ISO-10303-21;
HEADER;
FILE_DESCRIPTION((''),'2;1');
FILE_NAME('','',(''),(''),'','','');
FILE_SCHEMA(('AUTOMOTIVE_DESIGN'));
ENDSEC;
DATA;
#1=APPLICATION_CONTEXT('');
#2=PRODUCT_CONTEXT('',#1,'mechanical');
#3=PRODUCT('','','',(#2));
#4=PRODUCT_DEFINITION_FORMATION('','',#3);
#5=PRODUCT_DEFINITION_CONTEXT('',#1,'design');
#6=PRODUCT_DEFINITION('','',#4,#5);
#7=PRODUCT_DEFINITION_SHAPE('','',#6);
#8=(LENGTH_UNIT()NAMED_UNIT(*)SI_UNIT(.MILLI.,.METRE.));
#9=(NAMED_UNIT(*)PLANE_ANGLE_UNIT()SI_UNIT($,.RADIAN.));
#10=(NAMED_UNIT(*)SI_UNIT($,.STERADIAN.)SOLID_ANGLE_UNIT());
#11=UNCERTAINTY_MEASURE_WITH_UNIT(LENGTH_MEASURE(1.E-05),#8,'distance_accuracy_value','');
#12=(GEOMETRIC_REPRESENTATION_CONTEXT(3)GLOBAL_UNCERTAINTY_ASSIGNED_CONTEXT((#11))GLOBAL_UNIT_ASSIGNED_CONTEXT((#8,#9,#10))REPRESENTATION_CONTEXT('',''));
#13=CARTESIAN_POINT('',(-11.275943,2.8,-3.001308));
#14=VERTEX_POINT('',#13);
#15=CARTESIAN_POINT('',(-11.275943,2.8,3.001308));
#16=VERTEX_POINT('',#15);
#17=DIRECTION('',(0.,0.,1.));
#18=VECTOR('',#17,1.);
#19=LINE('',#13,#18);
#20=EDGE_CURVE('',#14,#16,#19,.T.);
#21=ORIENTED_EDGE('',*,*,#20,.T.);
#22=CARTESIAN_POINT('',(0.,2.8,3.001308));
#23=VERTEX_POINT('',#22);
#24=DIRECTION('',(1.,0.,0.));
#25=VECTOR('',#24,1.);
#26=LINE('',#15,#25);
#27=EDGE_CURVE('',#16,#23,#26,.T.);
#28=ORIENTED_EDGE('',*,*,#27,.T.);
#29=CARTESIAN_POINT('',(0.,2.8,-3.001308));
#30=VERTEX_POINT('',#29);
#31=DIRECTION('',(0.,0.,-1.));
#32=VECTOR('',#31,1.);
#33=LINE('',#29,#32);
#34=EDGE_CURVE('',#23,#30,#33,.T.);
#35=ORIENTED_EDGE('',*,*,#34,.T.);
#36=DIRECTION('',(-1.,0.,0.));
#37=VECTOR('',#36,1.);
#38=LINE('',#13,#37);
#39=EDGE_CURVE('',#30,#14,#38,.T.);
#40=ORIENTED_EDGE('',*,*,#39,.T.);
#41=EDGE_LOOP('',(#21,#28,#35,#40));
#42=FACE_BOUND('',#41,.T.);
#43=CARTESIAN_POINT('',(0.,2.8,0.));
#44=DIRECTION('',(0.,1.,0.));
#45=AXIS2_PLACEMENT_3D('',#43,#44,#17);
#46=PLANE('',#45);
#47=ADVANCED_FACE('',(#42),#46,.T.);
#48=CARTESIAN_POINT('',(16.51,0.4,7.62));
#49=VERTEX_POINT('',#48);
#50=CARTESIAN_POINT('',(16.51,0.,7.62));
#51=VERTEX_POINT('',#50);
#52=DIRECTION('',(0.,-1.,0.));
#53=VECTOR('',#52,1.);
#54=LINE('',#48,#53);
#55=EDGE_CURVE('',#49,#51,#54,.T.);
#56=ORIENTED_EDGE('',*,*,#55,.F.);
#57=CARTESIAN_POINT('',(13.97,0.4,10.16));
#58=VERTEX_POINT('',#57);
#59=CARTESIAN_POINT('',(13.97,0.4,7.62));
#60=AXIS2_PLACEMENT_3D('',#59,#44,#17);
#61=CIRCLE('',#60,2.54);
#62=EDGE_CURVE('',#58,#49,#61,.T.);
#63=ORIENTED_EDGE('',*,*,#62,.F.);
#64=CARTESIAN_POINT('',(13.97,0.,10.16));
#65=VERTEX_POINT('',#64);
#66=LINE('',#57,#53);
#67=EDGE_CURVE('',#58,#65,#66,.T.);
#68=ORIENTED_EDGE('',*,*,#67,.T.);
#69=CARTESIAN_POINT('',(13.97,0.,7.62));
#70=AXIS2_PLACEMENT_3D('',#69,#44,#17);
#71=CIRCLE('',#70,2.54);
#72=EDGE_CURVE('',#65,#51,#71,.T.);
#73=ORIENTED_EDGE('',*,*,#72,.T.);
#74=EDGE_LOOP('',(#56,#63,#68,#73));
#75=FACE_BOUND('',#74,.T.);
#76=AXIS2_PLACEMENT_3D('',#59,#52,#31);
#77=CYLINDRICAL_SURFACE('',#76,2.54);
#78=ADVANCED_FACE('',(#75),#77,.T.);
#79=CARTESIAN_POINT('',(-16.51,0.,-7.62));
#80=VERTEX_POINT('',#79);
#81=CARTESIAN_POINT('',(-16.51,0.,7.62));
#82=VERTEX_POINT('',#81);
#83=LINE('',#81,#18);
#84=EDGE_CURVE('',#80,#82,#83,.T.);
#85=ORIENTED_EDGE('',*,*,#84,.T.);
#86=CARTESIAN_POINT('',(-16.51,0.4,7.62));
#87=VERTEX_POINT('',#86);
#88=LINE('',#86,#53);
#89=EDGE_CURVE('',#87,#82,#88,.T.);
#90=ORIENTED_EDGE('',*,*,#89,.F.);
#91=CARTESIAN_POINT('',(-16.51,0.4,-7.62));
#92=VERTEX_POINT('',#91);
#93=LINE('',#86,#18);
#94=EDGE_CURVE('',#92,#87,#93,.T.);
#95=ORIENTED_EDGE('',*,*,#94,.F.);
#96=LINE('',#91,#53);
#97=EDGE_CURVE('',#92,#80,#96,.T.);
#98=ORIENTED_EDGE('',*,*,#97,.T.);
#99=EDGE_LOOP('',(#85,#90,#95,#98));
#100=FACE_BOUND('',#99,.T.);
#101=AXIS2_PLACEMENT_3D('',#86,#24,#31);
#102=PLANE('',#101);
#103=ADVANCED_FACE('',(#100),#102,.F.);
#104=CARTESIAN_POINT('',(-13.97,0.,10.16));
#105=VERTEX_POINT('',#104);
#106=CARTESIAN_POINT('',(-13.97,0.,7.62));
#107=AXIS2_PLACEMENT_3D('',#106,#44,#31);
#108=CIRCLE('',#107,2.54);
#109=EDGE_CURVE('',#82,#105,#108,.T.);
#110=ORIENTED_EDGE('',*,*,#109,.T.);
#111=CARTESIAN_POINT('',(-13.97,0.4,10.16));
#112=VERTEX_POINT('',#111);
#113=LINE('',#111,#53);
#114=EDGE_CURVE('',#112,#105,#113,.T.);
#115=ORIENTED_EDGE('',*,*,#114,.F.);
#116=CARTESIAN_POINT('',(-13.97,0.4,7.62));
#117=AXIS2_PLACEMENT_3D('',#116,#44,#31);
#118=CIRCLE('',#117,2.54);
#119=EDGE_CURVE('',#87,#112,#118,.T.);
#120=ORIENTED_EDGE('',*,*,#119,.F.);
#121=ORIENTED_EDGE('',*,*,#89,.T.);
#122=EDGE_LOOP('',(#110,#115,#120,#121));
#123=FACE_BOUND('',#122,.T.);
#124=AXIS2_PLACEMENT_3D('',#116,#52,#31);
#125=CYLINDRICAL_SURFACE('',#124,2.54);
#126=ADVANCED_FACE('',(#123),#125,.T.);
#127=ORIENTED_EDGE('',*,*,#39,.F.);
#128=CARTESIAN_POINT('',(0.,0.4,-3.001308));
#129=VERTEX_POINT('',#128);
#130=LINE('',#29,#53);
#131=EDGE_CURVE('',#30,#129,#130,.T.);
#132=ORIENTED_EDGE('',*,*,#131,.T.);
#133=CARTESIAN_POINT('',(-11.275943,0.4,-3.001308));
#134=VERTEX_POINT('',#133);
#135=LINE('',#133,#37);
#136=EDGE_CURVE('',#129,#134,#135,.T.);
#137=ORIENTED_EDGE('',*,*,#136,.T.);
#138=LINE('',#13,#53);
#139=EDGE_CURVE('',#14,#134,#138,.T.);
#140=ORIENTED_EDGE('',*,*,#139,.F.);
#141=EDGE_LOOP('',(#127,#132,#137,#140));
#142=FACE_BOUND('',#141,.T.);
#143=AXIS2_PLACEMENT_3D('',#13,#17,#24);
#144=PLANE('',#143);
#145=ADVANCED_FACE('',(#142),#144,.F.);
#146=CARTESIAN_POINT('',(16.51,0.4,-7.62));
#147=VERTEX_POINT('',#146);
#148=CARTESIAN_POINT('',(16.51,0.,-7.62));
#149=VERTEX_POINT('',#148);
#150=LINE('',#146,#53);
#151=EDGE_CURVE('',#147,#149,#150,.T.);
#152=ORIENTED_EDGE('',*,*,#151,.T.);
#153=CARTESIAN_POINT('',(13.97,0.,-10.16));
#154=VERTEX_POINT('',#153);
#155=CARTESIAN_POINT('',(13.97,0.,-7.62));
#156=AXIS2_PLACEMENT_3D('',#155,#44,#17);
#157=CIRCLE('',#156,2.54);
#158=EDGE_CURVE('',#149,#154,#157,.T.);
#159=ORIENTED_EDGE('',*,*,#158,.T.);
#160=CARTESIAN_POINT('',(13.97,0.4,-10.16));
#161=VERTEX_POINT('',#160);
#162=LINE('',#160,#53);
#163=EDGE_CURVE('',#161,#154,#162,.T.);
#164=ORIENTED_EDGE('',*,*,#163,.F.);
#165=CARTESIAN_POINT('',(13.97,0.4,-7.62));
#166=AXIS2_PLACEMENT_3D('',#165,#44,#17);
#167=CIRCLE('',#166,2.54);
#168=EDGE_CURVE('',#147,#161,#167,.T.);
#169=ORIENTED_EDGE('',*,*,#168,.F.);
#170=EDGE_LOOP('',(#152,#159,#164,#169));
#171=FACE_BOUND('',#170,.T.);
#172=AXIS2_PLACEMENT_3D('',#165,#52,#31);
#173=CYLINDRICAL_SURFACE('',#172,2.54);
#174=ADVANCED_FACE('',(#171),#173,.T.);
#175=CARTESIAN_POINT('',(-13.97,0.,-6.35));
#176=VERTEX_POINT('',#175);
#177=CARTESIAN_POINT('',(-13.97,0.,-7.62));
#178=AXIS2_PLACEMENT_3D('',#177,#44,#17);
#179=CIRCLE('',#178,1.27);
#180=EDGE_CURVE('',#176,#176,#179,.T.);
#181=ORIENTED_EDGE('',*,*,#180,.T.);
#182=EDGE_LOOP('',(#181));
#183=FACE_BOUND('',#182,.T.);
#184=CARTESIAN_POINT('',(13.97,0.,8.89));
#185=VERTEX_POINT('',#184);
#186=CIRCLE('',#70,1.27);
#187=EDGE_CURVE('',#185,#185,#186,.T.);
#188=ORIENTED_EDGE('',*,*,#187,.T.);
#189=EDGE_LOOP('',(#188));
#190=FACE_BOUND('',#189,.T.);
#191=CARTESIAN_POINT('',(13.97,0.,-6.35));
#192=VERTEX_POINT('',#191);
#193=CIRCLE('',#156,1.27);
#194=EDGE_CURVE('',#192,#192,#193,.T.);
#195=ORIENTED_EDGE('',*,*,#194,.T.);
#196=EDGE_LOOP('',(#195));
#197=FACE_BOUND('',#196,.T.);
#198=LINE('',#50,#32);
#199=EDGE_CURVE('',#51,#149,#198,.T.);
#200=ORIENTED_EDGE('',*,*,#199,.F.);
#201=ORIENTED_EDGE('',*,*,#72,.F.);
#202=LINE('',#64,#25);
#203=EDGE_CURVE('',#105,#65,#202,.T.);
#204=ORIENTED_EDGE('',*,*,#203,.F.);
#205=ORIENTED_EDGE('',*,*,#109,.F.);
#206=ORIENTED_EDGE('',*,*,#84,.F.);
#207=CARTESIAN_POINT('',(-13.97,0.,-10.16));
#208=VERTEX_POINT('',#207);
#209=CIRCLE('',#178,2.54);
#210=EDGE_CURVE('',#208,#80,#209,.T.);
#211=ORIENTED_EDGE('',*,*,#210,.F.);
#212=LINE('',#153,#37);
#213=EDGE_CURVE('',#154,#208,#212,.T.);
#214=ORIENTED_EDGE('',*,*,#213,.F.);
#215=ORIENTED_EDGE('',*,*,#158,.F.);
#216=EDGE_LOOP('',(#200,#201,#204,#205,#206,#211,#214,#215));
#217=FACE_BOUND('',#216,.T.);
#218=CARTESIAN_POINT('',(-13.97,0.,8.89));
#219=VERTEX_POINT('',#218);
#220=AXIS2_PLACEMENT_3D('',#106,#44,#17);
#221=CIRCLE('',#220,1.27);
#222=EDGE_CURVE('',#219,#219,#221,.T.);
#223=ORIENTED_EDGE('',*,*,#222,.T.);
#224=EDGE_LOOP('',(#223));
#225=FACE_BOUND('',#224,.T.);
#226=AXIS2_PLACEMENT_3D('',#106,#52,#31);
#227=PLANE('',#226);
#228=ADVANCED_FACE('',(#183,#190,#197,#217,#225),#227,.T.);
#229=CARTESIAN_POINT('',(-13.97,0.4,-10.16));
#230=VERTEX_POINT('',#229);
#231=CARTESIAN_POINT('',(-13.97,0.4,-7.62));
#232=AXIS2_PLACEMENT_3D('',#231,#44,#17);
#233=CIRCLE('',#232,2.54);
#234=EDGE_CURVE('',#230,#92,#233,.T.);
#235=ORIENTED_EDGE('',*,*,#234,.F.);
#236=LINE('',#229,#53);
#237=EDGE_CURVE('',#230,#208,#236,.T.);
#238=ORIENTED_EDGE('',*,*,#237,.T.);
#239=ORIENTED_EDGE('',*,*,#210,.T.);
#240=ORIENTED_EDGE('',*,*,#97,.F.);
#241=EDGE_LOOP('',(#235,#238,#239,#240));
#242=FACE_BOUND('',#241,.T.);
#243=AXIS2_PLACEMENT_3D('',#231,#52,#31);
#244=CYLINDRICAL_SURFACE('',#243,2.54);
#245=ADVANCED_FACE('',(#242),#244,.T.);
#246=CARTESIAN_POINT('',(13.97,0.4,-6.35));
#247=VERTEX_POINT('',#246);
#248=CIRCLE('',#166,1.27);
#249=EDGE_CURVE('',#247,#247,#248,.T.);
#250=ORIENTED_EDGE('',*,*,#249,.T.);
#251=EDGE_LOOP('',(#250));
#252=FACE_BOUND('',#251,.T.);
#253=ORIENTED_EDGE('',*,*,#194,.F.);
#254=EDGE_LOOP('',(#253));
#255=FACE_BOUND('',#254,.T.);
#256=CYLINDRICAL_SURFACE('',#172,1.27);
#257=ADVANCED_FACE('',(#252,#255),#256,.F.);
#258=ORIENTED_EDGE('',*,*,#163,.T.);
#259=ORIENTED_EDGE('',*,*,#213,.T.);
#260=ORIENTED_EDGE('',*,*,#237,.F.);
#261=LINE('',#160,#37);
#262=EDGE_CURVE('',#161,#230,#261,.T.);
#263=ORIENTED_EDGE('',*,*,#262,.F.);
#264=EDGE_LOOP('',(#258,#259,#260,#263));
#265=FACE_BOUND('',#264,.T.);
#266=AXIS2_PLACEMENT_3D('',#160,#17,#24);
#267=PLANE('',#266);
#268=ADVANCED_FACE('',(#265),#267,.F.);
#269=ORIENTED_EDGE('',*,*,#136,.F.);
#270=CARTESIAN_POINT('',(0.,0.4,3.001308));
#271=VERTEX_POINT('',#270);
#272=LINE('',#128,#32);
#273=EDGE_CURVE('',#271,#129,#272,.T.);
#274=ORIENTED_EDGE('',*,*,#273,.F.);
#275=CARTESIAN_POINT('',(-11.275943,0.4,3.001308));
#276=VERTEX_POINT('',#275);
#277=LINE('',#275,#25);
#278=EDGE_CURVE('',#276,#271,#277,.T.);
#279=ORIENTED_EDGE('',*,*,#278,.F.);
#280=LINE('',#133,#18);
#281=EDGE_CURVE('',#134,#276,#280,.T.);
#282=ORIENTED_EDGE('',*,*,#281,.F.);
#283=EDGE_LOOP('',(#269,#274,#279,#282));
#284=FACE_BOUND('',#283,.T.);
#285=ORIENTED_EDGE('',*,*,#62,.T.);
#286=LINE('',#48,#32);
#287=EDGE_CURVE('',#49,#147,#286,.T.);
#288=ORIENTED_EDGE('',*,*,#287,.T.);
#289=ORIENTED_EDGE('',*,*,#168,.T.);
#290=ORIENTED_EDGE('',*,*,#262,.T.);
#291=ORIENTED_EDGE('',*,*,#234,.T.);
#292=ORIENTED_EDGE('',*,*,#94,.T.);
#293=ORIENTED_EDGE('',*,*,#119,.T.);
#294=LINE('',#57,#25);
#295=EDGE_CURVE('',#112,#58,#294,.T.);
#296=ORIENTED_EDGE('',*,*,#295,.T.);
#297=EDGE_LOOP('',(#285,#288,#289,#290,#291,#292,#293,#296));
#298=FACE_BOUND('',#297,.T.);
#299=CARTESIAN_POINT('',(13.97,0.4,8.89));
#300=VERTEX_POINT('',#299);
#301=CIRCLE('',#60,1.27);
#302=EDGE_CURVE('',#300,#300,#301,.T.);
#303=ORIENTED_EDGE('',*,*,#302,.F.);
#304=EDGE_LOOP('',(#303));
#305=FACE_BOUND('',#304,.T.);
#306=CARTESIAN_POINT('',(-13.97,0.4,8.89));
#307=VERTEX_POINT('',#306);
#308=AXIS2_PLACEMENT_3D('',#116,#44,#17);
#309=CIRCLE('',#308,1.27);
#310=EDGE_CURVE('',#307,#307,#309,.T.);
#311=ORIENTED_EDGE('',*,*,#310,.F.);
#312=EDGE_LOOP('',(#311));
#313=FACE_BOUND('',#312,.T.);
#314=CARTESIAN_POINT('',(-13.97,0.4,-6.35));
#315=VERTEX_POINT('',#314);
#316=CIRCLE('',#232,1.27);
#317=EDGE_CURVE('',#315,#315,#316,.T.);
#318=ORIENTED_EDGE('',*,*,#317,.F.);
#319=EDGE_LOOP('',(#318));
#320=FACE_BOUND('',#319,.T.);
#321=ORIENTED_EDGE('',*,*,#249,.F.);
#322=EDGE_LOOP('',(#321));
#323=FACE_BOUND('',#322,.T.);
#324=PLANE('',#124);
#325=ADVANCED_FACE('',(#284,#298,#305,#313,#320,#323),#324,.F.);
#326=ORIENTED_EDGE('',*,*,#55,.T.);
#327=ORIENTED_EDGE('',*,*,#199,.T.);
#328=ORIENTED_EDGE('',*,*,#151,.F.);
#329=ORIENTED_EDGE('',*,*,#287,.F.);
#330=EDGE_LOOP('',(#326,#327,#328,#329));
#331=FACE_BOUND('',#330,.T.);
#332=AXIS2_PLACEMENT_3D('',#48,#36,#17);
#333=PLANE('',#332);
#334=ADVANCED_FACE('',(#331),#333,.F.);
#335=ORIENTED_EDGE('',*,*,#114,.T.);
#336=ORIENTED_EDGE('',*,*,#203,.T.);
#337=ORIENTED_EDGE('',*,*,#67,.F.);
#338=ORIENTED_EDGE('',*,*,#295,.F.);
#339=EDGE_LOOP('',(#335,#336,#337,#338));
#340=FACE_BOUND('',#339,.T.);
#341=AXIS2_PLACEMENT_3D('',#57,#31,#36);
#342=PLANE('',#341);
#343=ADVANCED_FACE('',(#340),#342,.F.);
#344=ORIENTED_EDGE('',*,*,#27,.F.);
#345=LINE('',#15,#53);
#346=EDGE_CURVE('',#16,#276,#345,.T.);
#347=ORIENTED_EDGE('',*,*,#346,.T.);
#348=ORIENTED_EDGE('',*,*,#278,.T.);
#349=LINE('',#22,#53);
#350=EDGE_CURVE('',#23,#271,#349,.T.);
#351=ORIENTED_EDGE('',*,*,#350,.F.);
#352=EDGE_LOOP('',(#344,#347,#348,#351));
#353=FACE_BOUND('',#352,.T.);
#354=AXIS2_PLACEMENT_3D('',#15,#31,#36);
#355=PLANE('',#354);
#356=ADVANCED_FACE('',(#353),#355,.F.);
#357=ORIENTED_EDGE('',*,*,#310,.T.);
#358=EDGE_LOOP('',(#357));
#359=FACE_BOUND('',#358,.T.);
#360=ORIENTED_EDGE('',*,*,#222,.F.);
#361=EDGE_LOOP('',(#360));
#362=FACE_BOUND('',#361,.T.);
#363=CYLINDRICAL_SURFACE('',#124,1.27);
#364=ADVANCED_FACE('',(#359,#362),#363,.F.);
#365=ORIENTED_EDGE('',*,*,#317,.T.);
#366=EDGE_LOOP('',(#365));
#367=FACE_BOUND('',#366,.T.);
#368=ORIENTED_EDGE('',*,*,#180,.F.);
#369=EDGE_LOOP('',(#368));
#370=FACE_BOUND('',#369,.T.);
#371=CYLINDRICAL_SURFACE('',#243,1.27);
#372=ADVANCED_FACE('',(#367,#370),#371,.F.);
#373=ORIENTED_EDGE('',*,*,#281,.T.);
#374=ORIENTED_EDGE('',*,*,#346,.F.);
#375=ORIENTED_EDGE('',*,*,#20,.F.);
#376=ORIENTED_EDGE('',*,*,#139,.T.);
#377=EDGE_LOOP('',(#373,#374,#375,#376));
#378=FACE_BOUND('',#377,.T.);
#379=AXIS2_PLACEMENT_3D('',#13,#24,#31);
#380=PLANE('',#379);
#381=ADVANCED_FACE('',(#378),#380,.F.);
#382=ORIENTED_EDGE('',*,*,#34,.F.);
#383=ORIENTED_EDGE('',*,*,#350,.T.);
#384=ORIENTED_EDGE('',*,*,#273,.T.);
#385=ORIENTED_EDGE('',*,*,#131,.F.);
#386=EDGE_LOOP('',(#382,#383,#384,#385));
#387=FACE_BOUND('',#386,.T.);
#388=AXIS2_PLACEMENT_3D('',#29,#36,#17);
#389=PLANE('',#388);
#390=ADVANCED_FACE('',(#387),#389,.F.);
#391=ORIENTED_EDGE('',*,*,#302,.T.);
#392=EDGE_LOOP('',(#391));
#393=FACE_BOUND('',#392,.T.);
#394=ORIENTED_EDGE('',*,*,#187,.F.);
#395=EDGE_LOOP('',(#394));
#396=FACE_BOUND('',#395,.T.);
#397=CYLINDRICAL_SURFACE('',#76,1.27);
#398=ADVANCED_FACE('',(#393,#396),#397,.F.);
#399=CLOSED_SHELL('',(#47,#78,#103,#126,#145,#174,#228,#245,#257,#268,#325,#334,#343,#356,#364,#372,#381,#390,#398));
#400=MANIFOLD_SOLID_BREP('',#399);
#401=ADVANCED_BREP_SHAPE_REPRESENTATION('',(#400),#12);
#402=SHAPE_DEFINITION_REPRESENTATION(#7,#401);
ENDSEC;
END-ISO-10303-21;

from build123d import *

# Parameters (mm, degrees)
SKETCH1_R           = 1.27
BOSS_EXTRUDE1_DEPTH = 0.4
SKETCH2_W           = 11.275942915
SKETCH2_H           = 6.002616378
BOSS_EXTRUDE2_DEPTH = 2.4


with BuildPart() as part:
    # Sketch1 → Boss-Extrude1 (new body)
    with BuildSketch(Plane(origin=(0, 0, 0), x_dir=(1, 0, 0), z_dir=(0, 1, 0))):
        with BuildLine():
            Line((13.97, -10.16), (-13.97, -10.16))
            ThreePointArc((-13.97, -10.16), (-15.766051224, -9.416051224), (-16.51, -7.62))
            Line((-16.51, -7.62), (-16.51, 7.62))
            ThreePointArc((-16.51, 7.62), (-15.766051224, 9.416051224), (-13.97, 10.16))
            Line((-13.97, 10.16), (13.97, 10.16))
            ThreePointArc((13.97, 10.16), (15.766051224, 9.416051224), (16.51, 7.62))
            Line((16.51, 7.62), (16.51, -7.62))
            ThreePointArc((16.51, -7.62), (15.766051224, -9.416051224), (13.97, -10.16))
        make_face()
        with Locations(Location((-13.97, 7.62, 0), (0, 0, 270))):
            Circle(SKETCH1_R, mode=Mode.SUBTRACT)
        with Locations(Location((13.97, 7.62, 0), (0, 0, 270))):
            Circle(SKETCH1_R, mode=Mode.SUBTRACT)
        with Locations(Location((13.97, -7.62, 0), (0, 0, 270))):
            Circle(SKETCH1_R, mode=Mode.SUBTRACT)
        with Locations(Location((-13.97, -7.62, 0), (0, 0, 270))):
            Circle(SKETCH1_R, mode=Mode.SUBTRACT)
    extrude(amount=BOSS_EXTRUDE1_DEPTH)

    # Sketch2 → Boss-Extrude2 (add)
    with BuildSketch(Plane(origin=(0, 0.4, 0), x_dir=(1, 0, 0), z_dir=(0, 1, 0))):
        with Locations((-5.637971457, 0)):
            Rectangle(SKETCH2_W, SKETCH2_H)
    extrude(amount=BOSS_EXTRUDE2_DEPTH)


solid = part.part
